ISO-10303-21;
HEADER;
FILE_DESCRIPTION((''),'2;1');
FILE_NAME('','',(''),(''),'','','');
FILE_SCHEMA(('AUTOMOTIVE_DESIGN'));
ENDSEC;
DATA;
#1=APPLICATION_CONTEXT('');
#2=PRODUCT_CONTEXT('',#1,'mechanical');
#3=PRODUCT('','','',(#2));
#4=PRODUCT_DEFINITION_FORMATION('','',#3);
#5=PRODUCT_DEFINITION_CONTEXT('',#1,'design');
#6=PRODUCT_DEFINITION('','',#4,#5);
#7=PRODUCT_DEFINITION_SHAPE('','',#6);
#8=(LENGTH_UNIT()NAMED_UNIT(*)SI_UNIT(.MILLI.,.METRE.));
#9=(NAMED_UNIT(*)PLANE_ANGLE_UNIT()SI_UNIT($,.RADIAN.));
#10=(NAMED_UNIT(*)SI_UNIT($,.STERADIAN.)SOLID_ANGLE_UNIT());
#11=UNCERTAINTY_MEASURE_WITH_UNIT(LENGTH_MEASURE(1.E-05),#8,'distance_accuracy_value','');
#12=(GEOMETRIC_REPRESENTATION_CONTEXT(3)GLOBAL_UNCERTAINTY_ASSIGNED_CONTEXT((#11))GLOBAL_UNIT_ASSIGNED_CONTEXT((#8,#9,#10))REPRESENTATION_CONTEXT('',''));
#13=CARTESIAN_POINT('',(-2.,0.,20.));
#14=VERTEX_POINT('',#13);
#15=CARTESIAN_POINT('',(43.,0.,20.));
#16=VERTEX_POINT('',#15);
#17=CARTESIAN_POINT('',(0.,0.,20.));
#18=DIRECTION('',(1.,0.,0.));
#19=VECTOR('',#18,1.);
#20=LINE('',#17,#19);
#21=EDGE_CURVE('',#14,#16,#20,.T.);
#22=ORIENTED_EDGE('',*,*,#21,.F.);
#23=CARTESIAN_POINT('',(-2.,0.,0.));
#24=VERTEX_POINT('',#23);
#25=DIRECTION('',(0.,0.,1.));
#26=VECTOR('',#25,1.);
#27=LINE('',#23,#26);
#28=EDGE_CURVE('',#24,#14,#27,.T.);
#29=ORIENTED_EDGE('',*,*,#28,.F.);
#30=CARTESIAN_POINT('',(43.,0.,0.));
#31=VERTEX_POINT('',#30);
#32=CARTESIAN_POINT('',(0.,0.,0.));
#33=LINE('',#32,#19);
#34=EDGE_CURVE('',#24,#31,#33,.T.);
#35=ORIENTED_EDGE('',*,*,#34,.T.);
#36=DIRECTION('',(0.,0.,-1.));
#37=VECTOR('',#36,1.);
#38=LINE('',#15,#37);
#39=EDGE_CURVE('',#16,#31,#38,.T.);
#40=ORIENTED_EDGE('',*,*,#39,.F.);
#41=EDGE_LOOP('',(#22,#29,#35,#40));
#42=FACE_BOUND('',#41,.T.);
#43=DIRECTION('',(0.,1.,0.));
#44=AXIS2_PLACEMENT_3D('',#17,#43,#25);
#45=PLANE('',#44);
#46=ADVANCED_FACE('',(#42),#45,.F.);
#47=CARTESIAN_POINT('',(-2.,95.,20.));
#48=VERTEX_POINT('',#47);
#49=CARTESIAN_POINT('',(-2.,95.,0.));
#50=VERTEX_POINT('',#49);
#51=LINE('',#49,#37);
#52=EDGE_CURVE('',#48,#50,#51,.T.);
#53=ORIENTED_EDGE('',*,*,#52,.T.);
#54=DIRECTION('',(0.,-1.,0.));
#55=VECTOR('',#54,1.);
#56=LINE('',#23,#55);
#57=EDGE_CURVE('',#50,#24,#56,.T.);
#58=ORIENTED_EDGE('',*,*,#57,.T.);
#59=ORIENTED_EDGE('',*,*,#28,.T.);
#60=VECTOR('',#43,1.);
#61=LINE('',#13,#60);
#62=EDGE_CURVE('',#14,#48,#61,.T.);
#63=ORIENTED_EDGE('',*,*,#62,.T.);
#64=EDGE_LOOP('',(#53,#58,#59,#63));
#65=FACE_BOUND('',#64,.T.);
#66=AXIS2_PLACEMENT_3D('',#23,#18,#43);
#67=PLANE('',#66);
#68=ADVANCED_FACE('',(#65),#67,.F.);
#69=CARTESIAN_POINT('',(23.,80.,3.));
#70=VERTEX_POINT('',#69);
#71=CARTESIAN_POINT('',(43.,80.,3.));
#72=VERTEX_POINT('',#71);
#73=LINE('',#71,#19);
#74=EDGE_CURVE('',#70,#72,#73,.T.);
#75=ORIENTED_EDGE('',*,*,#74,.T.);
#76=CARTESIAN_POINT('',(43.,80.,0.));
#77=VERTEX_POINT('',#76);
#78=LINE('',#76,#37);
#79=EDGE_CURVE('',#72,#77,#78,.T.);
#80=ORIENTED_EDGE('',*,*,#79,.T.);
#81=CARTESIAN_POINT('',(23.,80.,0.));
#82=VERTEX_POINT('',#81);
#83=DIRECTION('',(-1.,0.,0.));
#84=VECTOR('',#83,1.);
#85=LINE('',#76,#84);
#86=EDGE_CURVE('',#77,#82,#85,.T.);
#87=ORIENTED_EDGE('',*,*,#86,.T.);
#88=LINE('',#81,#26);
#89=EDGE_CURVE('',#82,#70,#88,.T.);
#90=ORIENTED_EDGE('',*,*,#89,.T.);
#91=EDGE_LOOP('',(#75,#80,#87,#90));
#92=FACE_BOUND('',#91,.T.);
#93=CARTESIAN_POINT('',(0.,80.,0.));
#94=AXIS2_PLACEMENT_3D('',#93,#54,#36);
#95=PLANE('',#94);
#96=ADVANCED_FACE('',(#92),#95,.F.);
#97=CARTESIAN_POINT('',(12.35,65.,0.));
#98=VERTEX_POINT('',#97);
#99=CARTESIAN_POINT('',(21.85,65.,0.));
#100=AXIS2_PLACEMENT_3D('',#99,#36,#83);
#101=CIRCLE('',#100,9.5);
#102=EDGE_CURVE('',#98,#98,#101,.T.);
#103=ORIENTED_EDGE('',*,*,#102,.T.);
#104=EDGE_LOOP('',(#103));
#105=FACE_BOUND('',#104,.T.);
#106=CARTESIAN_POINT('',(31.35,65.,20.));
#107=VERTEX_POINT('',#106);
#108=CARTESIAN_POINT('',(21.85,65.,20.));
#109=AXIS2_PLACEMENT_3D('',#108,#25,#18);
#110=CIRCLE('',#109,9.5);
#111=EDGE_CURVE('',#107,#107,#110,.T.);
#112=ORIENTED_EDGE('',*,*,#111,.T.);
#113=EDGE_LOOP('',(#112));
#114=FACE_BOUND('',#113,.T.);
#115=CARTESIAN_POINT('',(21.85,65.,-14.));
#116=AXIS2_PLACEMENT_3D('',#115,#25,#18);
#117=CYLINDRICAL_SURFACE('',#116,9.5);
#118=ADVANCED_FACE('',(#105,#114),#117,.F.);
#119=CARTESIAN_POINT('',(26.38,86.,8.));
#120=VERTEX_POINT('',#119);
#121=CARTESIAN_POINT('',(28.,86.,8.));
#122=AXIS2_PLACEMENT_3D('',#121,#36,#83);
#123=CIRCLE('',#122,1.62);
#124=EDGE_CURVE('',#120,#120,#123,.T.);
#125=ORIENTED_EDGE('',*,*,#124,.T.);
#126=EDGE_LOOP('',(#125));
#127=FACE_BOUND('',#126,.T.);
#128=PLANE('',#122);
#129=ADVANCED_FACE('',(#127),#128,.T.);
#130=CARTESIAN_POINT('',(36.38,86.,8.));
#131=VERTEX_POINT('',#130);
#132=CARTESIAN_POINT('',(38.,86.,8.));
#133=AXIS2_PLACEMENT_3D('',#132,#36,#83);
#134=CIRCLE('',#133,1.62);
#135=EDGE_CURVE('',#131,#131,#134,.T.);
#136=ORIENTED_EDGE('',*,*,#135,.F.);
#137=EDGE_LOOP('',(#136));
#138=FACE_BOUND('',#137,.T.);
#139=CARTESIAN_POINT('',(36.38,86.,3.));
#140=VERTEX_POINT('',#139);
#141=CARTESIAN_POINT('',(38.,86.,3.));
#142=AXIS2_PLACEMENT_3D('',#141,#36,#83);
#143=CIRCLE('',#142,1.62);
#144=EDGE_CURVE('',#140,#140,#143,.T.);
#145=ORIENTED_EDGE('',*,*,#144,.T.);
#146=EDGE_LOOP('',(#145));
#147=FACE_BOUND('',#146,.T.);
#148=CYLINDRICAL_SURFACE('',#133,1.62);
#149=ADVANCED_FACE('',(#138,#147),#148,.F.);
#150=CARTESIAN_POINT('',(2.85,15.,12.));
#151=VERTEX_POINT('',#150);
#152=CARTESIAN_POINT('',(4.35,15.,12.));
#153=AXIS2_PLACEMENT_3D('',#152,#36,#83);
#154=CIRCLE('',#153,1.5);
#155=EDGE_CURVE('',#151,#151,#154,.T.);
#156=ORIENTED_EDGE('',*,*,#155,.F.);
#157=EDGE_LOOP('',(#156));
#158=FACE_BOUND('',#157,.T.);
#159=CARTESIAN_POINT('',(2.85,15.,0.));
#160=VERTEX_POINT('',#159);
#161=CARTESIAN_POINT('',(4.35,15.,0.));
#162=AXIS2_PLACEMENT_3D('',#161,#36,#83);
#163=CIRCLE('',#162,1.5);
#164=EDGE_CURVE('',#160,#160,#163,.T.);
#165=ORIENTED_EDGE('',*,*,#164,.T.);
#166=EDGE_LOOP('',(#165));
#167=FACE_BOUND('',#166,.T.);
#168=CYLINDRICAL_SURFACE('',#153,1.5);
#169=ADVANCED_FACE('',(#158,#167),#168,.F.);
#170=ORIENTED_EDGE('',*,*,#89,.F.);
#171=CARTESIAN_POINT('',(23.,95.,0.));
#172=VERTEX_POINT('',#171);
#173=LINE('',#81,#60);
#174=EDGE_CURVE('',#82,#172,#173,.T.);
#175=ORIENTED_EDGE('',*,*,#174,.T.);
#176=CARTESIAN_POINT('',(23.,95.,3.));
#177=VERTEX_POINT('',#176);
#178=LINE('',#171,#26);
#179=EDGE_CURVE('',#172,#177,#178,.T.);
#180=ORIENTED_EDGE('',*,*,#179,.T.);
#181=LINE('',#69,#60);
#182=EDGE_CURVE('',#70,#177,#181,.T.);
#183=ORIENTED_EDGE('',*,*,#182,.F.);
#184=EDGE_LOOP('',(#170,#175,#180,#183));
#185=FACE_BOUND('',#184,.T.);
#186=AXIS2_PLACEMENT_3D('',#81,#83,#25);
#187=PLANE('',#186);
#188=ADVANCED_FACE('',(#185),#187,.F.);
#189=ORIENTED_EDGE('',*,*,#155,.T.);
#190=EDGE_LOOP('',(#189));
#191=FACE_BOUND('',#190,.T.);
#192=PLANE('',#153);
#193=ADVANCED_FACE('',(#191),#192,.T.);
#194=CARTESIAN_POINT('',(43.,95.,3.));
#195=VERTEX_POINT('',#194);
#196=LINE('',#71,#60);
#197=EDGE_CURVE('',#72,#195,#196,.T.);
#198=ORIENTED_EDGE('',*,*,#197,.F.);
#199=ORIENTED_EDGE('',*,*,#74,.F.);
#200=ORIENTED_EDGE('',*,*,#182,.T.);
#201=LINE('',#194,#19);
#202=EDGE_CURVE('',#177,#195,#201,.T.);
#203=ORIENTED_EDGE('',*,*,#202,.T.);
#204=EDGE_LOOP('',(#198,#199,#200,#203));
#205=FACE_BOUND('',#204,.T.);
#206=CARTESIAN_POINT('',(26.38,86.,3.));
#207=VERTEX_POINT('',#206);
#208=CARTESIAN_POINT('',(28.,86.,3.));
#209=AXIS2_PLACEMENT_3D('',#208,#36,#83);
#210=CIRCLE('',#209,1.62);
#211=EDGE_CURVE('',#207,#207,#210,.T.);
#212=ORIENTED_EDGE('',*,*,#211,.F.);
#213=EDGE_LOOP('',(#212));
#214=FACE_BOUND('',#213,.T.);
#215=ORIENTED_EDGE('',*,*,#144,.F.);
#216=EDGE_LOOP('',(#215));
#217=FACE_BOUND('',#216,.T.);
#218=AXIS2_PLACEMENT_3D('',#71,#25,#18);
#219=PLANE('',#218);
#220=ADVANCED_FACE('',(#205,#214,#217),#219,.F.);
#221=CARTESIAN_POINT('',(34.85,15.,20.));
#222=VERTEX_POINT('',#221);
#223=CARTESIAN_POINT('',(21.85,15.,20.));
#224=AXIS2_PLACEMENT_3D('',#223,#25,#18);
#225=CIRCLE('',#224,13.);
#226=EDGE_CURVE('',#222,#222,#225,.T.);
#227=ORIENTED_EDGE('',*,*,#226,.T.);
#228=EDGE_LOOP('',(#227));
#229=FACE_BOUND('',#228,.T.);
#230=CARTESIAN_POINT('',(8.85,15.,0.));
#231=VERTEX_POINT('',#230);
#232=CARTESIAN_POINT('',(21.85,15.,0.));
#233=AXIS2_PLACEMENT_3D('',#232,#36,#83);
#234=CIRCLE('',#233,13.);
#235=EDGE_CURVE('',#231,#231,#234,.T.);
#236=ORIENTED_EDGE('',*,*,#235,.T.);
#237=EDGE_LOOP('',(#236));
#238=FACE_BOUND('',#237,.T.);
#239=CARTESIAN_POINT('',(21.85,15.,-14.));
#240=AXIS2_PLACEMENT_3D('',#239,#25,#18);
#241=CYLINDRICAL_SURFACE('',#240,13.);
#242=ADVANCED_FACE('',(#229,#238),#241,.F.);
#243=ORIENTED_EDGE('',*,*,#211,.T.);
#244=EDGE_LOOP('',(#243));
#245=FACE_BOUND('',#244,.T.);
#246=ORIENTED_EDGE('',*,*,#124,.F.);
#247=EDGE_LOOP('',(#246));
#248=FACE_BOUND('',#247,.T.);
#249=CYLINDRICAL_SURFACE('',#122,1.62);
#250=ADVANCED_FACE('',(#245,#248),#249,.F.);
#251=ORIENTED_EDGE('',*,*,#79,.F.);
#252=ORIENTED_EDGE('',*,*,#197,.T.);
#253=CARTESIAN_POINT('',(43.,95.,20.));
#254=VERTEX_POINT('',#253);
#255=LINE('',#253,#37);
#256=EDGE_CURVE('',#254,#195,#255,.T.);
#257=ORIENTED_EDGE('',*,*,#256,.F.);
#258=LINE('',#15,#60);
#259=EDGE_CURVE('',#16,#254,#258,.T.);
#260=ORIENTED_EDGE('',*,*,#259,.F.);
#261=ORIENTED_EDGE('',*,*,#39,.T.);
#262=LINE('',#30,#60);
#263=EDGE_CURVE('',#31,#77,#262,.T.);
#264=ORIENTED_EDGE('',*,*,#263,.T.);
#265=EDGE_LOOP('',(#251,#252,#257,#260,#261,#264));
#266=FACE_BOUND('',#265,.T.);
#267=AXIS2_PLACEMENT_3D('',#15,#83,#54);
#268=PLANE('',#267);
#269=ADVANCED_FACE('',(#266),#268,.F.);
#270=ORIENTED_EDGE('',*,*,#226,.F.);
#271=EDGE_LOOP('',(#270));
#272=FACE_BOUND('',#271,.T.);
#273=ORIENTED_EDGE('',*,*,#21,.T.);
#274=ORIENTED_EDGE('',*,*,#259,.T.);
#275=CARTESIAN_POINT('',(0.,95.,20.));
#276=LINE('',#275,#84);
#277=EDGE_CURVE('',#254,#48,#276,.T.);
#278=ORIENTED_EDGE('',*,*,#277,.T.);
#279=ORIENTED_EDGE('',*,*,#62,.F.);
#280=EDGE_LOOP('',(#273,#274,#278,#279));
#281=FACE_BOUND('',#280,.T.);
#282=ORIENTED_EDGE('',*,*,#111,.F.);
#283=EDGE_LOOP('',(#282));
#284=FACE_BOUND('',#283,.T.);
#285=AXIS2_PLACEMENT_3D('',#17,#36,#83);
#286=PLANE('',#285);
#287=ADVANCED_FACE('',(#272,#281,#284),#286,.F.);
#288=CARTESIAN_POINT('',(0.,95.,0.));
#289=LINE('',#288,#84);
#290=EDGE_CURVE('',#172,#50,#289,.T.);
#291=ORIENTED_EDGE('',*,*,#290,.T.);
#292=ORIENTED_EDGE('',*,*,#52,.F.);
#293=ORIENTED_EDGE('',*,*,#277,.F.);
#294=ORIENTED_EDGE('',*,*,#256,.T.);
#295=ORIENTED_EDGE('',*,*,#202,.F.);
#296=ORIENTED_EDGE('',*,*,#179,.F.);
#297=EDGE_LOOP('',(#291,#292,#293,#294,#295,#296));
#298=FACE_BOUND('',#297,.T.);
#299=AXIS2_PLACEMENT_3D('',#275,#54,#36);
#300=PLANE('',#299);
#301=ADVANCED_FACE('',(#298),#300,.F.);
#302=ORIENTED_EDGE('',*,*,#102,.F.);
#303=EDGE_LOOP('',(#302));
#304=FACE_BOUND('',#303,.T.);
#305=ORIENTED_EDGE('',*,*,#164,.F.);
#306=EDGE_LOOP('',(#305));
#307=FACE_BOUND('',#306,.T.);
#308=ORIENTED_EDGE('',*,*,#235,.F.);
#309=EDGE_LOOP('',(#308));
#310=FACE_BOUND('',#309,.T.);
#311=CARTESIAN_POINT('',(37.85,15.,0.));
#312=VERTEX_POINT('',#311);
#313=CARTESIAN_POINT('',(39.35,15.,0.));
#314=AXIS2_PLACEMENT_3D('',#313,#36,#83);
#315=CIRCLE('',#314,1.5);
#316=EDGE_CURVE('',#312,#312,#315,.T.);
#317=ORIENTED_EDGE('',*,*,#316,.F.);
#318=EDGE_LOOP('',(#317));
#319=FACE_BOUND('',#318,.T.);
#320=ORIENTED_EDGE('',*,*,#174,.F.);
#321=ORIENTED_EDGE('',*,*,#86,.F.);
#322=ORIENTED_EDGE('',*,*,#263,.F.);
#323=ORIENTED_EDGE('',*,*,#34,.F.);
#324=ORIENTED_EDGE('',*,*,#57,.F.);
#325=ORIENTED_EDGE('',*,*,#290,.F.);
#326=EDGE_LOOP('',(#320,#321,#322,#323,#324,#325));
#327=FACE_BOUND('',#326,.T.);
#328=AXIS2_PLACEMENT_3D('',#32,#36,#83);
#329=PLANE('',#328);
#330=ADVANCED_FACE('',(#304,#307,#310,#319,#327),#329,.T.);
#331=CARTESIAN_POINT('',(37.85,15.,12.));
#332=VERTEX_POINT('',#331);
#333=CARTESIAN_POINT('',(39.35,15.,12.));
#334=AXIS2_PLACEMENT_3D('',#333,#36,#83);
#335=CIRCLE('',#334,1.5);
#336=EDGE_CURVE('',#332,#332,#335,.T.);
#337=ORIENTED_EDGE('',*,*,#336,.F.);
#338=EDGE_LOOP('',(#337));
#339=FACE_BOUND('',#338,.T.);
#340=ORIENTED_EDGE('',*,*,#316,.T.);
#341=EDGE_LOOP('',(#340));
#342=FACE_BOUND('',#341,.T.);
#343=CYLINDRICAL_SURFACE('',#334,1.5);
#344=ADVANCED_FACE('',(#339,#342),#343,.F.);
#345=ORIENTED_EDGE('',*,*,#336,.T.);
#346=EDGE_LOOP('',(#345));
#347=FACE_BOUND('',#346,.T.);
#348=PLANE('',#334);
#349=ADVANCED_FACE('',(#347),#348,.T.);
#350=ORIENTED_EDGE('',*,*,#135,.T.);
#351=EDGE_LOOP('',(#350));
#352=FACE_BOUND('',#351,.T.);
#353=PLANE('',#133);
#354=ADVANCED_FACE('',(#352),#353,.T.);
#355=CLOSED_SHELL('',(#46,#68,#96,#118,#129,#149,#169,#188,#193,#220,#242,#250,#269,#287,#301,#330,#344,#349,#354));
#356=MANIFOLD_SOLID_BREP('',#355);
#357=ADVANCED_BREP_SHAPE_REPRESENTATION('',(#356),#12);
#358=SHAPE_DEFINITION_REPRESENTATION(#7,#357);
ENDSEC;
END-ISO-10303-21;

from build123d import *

# Parameters (mm, degrees)
SKIZZE1_W                       = 43
SKIZZE1_H                       = 95
AUFSATZ_LINEAR_AUSTRAGEN1_DEPTH = 20
SKIZZE2_R                       = 13
SCHNITT_LINEAR_AUSTRAGEN1_DEPTH = 34
SKIZZE3_R                       = 9.5
SCHNITT_LINEAR_AUSTRAGEN2_DEPTH = 34
SKIZZE4_W                       = 20
SKIZZE4_H                       = 3
SCHNITT_LINEAR_AUSTRAGEN3_DEPTH = 15
SKIZZE8_R                       = 1.62
SCHNITT_LINEAR_AUSTRAGEN6_DEPTH = 5
SKIZZE9_R                       = 1.62
SCHNITT_LINEAR_AUSTRAGEN7_DEPTH = 5
SKIZZE10_R                      = 1.5
SCHNITT_LINEAR_AUSTRAGEN8_DEPTH = 12
SKIZZE11_W                      = 20
SKIZZE11_H                      = 95
AUFSATZ_LINEAR_AUSTRAGEN2_DEPTH = 2


with BuildPart() as part:
    # Skizze1 → Aufsatz-Linear austragen1 (new body)
    with BuildSketch(Plane.XY):
        with Locations((21.5, 47.5)):
            Rectangle(SKIZZE1_W, SKIZZE1_H)
    extrude(amount=AUFSATZ_LINEAR_AUSTRAGEN1_DEPTH)

    # Skizze2 → Schnitt-Linear austragen1 (cut)
    with BuildSketch(Plane.XY.offset(20)):
        with Locations((21.85, 15)):
            Circle(SKIZZE2_R)
    extrude(amount=-SCHNITT_LINEAR_AUSTRAGEN1_DEPTH, mode=Mode.SUBTRACT)

    # Skizze3 → Schnitt-Linear austragen2 (cut)
    with BuildSketch(Plane.XY.offset(20)):
        with Locations((21.85, 65)):
            Circle(SKIZZE3_R)
    extrude(amount=-SCHNITT_LINEAR_AUSTRAGEN2_DEPTH, mode=Mode.SUBTRACT)

    # Skizze4 → Schnitt-Linear austragen3 (cut)
    with BuildSketch(Plane(origin=(0, 95, 0), x_dir=(1, 0, 0), z_dir=(0, 1, 0))):
        with Locations((33, -1.5)):
            Rectangle(SKIZZE4_W, SKIZZE4_H)
    extrude(amount=-SCHNITT_LINEAR_AUSTRAGEN3_DEPTH, mode=Mode.SUBTRACT)

    # Skizze8 → Schnitt-Linear austragen6 (cut)
    with BuildSketch(Plane(origin=(0, 0, 3), x_dir=(-1, 0, 0), z_dir=(0, 0, -1))):
        with Locations((-38, 86)):
            Circle(SKIZZE8_R)
    extrude(amount=-SCHNITT_LINEAR_AUSTRAGEN6_DEPTH, mode=Mode.SUBTRACT)

    # Skizze9 → Schnitt-Linear austragen7 (cut)
    with BuildSketch(Plane(origin=(0, 0, 3), x_dir=(-1, 0, 0), z_dir=(0, 0, -1))):
        with Locations((-28, 86)):
            Circle(SKIZZE9_R)
    extrude(amount=-SCHNITT_LINEAR_AUSTRAGEN7_DEPTH, mode=Mode.SUBTRACT)

    # Skizze10 → Schnitt-Linear austragen8 (cut)
    with BuildSketch(Plane(origin=(0, 0, 0), x_dir=(-1, 0, 0), z_dir=(0, 0, -1))):
        with Locations((-4.35, 15)):
            Circle(SKIZZE10_R)
        with Locations((-39.35, 15)):
            Circle(SKIZZE10_R)
    extrude(amount=-SCHNITT_LINEAR_AUSTRAGEN8_DEPTH, mode=Mode.SUBTRACT)

    # Skizze11 → Aufsatz-Linear austragen2 (add)
    with BuildSketch(Plane.ZY):
        with Locations((10, 47.5)):
            Rectangle(SKIZZE11_W, SKIZZE11_H)
    extrude(amount=AUFSATZ_LINEAR_AUSTRAGEN2_DEPTH)


solid = part.part
